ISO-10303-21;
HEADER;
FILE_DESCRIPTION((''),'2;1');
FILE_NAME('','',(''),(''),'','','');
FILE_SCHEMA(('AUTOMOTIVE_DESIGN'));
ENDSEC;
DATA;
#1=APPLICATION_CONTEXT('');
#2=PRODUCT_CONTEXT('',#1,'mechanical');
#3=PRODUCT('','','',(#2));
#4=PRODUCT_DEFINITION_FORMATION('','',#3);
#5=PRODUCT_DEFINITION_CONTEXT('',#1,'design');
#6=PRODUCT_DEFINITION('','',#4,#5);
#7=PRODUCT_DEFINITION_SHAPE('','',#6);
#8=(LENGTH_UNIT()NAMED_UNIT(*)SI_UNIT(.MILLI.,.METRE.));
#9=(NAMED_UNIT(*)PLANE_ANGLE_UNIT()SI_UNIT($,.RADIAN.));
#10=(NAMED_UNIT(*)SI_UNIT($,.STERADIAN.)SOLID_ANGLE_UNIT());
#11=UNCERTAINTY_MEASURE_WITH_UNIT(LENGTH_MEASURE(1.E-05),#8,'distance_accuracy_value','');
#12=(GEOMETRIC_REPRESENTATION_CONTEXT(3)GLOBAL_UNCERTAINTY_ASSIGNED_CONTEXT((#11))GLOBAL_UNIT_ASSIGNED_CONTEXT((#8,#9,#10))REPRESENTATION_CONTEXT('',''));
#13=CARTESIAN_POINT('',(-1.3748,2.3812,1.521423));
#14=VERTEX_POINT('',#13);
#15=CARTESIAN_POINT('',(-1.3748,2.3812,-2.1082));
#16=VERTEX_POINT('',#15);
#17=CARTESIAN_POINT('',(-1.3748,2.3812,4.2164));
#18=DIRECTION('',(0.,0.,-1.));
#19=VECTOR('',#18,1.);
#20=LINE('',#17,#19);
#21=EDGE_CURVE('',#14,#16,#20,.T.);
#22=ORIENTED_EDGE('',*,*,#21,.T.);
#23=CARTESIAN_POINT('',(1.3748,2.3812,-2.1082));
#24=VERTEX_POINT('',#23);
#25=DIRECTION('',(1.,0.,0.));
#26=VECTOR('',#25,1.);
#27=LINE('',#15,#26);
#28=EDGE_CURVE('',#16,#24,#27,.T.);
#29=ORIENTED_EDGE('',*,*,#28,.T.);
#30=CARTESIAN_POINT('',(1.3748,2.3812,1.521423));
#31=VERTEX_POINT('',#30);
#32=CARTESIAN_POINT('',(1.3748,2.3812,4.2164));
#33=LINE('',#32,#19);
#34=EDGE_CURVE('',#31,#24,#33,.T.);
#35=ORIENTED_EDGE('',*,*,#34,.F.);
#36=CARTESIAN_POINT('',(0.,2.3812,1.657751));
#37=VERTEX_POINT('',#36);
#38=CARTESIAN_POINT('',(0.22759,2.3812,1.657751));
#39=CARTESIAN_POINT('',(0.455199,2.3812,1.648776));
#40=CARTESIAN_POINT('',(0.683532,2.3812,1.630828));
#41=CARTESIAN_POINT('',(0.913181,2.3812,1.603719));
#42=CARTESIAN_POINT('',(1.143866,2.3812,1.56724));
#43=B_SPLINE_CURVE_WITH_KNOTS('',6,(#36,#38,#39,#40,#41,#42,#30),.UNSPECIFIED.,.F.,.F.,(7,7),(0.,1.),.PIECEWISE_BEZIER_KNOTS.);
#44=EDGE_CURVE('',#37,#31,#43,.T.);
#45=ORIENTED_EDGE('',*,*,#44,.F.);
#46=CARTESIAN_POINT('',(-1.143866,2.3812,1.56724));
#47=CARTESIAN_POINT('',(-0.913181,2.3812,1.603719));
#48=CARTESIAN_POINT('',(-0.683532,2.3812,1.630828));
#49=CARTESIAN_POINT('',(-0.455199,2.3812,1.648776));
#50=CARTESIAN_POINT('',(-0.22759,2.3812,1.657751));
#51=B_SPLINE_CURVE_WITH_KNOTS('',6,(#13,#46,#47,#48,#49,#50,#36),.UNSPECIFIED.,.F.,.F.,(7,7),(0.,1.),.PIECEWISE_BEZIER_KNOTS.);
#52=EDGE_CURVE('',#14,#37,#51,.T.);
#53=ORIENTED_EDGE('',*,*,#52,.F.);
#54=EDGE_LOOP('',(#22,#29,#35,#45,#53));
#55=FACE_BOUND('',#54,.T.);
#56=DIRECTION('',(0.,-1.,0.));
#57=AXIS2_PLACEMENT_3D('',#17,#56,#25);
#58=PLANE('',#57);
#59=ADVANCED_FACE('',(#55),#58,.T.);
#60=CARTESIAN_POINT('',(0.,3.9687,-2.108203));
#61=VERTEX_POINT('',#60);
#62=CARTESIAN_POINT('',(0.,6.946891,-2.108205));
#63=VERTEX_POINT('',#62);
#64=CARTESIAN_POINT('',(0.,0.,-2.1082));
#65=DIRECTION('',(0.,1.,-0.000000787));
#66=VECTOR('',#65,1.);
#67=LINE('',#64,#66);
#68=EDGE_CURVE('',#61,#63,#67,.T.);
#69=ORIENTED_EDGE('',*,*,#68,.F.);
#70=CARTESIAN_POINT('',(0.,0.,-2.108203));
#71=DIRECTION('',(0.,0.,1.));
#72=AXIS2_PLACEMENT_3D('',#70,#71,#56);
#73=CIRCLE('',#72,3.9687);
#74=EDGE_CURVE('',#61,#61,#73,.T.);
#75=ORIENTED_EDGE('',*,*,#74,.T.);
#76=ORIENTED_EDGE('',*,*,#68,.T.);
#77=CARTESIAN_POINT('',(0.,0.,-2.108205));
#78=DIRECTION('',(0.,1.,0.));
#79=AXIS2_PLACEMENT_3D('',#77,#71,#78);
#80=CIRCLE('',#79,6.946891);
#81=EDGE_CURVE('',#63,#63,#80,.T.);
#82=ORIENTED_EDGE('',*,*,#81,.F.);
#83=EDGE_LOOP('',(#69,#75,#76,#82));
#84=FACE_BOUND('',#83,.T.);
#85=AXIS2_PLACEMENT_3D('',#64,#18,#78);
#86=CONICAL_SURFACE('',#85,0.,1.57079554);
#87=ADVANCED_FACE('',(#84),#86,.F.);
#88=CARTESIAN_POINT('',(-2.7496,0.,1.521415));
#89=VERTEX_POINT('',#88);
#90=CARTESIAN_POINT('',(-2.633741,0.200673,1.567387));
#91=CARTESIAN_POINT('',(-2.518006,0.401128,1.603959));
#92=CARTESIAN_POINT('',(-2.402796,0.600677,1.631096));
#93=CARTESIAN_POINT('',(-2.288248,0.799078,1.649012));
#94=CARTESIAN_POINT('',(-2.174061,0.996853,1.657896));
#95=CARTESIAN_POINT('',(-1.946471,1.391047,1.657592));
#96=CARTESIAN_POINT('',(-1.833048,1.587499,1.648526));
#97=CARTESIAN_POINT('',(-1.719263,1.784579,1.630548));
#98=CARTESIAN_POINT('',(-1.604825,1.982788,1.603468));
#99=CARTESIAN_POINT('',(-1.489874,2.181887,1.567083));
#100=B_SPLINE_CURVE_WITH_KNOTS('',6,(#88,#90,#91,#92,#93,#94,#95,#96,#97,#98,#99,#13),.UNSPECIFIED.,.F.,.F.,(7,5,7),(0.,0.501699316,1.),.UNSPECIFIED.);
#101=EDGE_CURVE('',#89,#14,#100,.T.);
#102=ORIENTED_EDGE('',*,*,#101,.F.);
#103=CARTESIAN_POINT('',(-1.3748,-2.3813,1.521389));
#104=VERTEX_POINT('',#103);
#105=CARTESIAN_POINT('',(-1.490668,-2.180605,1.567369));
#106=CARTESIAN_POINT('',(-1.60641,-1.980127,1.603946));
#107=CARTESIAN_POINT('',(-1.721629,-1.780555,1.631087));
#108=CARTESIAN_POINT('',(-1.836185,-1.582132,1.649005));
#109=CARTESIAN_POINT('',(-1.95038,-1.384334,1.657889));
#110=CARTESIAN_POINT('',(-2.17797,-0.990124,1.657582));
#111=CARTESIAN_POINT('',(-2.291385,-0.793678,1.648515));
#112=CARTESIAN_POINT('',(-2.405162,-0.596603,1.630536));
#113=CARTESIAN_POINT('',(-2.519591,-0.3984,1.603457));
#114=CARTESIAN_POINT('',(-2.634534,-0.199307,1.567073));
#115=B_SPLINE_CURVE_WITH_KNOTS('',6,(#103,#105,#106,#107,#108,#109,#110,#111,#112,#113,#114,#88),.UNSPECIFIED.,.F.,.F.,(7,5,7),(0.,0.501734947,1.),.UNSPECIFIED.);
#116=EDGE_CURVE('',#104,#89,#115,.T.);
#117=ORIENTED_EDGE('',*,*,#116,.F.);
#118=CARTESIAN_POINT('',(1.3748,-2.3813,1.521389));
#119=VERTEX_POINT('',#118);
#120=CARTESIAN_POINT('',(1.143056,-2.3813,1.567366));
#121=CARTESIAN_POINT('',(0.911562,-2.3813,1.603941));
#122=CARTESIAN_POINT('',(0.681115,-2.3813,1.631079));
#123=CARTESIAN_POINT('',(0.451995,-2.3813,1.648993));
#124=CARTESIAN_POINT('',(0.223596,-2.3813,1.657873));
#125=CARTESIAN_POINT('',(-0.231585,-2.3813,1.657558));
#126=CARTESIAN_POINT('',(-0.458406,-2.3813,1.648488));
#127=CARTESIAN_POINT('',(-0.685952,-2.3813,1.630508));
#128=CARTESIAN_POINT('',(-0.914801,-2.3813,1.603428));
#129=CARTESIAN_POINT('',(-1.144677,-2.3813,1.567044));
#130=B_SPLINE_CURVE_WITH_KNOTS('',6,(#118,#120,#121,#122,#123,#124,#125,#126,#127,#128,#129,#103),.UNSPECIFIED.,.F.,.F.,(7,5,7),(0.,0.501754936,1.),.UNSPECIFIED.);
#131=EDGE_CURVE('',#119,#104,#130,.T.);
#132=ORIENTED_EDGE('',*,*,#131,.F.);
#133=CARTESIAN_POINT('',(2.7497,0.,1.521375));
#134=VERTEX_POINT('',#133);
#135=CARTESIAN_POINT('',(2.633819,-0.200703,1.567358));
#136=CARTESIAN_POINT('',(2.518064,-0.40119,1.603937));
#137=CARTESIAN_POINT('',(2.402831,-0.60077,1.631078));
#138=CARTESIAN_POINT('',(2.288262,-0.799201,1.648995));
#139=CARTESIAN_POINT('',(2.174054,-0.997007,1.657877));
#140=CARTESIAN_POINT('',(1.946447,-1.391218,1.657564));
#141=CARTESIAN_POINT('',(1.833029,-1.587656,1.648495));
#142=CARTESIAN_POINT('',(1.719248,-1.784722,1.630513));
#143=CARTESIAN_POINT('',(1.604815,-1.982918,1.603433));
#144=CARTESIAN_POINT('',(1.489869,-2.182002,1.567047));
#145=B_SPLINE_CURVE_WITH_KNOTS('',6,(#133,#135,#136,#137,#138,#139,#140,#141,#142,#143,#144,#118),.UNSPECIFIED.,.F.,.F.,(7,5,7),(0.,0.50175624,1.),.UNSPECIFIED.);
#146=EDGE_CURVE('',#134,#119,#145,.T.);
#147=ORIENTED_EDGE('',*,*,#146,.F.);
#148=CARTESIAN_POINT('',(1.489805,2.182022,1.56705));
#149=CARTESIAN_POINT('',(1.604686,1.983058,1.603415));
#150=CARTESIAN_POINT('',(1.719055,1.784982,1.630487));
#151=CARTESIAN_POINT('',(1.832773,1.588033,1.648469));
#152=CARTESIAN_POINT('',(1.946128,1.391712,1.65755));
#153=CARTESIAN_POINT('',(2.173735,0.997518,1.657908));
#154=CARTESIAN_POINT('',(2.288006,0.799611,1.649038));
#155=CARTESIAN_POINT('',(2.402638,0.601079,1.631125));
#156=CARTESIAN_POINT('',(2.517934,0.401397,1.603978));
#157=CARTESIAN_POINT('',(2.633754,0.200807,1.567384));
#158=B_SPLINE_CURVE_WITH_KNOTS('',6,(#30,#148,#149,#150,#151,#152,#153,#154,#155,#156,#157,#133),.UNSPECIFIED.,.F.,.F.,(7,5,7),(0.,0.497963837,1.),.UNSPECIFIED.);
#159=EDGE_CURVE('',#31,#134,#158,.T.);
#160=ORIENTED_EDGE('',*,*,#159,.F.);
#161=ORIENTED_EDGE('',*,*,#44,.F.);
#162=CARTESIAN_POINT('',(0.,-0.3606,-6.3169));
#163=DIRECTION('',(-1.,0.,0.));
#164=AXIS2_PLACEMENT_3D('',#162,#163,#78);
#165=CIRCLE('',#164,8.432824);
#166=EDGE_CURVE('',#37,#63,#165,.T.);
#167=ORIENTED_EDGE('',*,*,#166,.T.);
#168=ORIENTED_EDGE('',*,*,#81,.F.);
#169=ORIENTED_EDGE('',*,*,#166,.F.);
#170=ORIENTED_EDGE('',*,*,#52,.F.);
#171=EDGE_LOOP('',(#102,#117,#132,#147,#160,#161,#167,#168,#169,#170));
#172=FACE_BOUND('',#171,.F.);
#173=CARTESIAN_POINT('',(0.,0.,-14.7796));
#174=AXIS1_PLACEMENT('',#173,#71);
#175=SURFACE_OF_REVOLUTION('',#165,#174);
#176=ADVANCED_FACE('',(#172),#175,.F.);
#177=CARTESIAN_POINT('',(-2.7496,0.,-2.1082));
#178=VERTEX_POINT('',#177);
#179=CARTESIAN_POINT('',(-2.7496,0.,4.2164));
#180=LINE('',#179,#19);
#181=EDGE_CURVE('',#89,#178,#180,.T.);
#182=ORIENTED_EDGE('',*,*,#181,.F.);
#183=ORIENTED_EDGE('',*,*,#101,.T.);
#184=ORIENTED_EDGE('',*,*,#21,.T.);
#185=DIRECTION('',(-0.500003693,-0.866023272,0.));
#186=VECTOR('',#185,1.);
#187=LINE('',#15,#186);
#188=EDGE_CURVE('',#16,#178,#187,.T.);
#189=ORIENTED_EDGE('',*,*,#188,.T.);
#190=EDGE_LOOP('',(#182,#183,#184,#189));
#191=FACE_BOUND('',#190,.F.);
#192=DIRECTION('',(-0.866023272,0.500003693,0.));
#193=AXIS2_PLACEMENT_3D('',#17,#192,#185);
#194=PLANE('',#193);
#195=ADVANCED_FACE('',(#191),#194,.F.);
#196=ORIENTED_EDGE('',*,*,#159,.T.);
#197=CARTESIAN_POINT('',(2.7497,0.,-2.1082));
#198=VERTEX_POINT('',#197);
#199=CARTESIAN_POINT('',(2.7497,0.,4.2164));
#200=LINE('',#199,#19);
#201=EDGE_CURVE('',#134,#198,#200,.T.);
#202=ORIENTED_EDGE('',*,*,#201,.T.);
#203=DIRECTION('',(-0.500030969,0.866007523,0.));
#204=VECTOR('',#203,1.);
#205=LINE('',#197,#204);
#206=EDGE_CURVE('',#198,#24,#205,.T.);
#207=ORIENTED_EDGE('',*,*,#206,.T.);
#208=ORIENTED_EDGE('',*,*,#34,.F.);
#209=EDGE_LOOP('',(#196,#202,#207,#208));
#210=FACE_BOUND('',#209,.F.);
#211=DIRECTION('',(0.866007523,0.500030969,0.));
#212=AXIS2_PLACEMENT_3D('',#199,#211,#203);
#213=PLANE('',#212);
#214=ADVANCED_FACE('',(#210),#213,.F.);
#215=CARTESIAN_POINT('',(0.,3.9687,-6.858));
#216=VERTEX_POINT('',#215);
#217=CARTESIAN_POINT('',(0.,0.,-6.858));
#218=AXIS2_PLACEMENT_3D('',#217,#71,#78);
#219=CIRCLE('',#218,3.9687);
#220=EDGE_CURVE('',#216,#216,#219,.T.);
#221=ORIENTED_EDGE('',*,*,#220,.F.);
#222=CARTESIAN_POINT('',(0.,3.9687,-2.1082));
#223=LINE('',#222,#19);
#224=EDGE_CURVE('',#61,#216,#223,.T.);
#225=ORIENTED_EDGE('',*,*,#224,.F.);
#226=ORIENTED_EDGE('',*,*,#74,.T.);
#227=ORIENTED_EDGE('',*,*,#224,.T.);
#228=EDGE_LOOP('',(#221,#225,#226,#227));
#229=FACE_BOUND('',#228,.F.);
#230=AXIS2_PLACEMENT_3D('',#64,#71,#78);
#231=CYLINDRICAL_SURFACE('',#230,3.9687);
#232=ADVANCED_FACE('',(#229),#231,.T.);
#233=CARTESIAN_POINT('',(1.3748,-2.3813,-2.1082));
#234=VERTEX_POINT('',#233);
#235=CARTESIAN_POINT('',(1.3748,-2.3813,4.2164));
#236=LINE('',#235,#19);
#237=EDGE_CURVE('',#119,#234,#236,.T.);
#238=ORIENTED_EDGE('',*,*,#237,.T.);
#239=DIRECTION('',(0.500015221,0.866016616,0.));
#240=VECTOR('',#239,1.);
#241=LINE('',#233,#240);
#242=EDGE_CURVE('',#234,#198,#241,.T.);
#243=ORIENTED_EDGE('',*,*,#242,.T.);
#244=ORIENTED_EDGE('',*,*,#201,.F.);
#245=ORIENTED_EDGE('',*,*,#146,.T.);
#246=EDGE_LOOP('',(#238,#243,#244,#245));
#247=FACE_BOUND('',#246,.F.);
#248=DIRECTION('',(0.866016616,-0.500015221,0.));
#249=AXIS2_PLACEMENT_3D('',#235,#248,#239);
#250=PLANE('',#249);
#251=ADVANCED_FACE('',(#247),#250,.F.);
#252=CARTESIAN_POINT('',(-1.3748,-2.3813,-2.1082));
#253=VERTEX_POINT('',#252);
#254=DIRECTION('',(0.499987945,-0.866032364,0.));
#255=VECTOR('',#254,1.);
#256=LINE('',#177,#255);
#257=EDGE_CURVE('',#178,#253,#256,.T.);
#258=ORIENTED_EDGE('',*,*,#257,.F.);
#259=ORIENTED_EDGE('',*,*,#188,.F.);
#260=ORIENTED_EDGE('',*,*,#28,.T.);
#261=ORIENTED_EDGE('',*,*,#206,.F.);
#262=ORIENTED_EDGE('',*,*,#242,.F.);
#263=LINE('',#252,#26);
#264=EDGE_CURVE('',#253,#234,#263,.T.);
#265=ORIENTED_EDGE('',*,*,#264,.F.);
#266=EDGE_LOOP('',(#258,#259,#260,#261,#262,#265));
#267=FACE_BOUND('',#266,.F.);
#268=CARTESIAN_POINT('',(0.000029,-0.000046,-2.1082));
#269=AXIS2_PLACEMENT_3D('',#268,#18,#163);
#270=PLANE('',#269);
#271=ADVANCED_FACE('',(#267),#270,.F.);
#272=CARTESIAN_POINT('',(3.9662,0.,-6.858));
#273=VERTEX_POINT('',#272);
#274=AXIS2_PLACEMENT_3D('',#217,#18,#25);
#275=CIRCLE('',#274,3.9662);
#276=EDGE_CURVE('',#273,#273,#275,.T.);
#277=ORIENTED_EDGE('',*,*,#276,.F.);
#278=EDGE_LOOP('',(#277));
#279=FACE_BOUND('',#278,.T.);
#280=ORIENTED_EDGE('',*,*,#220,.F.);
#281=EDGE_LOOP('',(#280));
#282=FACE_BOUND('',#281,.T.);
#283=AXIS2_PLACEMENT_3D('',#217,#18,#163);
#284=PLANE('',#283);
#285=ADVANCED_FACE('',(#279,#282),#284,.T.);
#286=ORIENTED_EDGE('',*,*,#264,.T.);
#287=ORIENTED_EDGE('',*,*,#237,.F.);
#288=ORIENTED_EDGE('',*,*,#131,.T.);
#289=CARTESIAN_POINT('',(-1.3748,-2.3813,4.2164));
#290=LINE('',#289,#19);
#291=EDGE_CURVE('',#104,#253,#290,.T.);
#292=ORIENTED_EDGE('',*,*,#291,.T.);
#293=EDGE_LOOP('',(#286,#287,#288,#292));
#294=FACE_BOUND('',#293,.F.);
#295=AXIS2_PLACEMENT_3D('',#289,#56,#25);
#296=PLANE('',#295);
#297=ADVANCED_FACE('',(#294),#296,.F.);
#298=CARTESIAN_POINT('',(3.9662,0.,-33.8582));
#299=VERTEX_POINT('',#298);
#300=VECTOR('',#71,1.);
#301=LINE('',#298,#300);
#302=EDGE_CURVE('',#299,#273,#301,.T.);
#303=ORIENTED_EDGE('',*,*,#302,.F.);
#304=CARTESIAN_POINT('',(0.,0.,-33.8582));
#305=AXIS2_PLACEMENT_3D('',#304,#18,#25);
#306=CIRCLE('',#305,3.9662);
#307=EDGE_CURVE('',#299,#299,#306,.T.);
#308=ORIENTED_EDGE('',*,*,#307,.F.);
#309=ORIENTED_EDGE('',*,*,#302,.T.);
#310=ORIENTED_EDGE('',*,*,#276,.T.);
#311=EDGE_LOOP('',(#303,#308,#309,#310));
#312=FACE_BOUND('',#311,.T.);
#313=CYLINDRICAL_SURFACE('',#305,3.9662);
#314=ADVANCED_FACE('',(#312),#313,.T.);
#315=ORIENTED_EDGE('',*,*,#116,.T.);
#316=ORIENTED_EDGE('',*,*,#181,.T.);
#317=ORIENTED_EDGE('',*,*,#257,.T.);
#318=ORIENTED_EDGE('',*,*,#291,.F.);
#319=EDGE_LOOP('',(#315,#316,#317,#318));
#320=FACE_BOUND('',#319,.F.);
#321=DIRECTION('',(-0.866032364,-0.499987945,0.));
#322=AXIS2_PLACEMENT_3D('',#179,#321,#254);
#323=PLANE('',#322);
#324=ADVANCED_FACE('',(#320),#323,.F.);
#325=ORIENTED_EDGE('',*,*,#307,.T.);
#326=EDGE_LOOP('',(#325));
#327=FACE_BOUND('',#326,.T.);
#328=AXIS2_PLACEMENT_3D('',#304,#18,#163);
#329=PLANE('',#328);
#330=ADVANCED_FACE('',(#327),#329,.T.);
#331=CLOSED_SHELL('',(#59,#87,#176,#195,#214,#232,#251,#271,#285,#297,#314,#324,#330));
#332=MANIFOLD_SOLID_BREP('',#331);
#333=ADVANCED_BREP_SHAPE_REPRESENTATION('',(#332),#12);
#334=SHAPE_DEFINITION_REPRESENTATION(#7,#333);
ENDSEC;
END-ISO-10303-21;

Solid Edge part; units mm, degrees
sketch "Sketch1" plane through (0, 0, 0) normal (1, 0, 0) x (0, 1, 0)
  line L0 (0, -2.1082) -> (0, 2.1082)
  arc A0 (0, 2.1082) -> (6.9469, -2.1082) centre (-0.3606, -6.3169) cw
  line L1 (0, -2.1082) -> (6.9469, -2.1082)
  dimension "D1" = 4.2164
  dimension "D2" = 8.4328
revolve "RevolvedProtrusion1" add sketch "Sketch1" angle 360 about axis through (0, 0, -14.7796) along (0, 0, 1)
sketch "Sketch2" plane through (0, 0, -2.1082) normal (0, 0, -1) x (0, 1, 0)
  circle A0 centre (0, 0) radius 3.9687
  dimension "D1" = 7.9375
extrude "Protrusion1" add sketch "Sketch2" along normal blind 31.75
sketch "Sketch3" plane through (0, 0, -33.8582) normal (0, 0, -1) x (1, 0, 0)
  circle A0 centre (0, 0) radius 3.9662
  dimension "D1" = 0.0025
extrude "Cutout1" cut sketch "Sketch3" against normal blind 27.0002 flip side to cut
sketch "Sketch4" plane through (-0.6032, 0.3606, 4.2164) normal (0, 0, 1) x (1, 0, 0)
  line L0 (-0.7716, 2.0206) -> (1.978, 2.0206)
  line L1 (3.3529, -0.3606) -> (1.978, 2.0206)
  line L2 (1.978, -2.7419) -> (3.3529, -0.3606)
  line L3 (-0.7716, -2.7419) -> (1.978, -2.7419)
  line L4 (-2.1464, -0.3606) -> (-0.7716, -2.7419)
  line L5 (-0.7716, 2.0206) -> (-2.1464, -0.3606)
extrude "ExtrudedCutout_11" cut sketch "Sketch4" against normal blind 6.3246
properties part number "209090"
